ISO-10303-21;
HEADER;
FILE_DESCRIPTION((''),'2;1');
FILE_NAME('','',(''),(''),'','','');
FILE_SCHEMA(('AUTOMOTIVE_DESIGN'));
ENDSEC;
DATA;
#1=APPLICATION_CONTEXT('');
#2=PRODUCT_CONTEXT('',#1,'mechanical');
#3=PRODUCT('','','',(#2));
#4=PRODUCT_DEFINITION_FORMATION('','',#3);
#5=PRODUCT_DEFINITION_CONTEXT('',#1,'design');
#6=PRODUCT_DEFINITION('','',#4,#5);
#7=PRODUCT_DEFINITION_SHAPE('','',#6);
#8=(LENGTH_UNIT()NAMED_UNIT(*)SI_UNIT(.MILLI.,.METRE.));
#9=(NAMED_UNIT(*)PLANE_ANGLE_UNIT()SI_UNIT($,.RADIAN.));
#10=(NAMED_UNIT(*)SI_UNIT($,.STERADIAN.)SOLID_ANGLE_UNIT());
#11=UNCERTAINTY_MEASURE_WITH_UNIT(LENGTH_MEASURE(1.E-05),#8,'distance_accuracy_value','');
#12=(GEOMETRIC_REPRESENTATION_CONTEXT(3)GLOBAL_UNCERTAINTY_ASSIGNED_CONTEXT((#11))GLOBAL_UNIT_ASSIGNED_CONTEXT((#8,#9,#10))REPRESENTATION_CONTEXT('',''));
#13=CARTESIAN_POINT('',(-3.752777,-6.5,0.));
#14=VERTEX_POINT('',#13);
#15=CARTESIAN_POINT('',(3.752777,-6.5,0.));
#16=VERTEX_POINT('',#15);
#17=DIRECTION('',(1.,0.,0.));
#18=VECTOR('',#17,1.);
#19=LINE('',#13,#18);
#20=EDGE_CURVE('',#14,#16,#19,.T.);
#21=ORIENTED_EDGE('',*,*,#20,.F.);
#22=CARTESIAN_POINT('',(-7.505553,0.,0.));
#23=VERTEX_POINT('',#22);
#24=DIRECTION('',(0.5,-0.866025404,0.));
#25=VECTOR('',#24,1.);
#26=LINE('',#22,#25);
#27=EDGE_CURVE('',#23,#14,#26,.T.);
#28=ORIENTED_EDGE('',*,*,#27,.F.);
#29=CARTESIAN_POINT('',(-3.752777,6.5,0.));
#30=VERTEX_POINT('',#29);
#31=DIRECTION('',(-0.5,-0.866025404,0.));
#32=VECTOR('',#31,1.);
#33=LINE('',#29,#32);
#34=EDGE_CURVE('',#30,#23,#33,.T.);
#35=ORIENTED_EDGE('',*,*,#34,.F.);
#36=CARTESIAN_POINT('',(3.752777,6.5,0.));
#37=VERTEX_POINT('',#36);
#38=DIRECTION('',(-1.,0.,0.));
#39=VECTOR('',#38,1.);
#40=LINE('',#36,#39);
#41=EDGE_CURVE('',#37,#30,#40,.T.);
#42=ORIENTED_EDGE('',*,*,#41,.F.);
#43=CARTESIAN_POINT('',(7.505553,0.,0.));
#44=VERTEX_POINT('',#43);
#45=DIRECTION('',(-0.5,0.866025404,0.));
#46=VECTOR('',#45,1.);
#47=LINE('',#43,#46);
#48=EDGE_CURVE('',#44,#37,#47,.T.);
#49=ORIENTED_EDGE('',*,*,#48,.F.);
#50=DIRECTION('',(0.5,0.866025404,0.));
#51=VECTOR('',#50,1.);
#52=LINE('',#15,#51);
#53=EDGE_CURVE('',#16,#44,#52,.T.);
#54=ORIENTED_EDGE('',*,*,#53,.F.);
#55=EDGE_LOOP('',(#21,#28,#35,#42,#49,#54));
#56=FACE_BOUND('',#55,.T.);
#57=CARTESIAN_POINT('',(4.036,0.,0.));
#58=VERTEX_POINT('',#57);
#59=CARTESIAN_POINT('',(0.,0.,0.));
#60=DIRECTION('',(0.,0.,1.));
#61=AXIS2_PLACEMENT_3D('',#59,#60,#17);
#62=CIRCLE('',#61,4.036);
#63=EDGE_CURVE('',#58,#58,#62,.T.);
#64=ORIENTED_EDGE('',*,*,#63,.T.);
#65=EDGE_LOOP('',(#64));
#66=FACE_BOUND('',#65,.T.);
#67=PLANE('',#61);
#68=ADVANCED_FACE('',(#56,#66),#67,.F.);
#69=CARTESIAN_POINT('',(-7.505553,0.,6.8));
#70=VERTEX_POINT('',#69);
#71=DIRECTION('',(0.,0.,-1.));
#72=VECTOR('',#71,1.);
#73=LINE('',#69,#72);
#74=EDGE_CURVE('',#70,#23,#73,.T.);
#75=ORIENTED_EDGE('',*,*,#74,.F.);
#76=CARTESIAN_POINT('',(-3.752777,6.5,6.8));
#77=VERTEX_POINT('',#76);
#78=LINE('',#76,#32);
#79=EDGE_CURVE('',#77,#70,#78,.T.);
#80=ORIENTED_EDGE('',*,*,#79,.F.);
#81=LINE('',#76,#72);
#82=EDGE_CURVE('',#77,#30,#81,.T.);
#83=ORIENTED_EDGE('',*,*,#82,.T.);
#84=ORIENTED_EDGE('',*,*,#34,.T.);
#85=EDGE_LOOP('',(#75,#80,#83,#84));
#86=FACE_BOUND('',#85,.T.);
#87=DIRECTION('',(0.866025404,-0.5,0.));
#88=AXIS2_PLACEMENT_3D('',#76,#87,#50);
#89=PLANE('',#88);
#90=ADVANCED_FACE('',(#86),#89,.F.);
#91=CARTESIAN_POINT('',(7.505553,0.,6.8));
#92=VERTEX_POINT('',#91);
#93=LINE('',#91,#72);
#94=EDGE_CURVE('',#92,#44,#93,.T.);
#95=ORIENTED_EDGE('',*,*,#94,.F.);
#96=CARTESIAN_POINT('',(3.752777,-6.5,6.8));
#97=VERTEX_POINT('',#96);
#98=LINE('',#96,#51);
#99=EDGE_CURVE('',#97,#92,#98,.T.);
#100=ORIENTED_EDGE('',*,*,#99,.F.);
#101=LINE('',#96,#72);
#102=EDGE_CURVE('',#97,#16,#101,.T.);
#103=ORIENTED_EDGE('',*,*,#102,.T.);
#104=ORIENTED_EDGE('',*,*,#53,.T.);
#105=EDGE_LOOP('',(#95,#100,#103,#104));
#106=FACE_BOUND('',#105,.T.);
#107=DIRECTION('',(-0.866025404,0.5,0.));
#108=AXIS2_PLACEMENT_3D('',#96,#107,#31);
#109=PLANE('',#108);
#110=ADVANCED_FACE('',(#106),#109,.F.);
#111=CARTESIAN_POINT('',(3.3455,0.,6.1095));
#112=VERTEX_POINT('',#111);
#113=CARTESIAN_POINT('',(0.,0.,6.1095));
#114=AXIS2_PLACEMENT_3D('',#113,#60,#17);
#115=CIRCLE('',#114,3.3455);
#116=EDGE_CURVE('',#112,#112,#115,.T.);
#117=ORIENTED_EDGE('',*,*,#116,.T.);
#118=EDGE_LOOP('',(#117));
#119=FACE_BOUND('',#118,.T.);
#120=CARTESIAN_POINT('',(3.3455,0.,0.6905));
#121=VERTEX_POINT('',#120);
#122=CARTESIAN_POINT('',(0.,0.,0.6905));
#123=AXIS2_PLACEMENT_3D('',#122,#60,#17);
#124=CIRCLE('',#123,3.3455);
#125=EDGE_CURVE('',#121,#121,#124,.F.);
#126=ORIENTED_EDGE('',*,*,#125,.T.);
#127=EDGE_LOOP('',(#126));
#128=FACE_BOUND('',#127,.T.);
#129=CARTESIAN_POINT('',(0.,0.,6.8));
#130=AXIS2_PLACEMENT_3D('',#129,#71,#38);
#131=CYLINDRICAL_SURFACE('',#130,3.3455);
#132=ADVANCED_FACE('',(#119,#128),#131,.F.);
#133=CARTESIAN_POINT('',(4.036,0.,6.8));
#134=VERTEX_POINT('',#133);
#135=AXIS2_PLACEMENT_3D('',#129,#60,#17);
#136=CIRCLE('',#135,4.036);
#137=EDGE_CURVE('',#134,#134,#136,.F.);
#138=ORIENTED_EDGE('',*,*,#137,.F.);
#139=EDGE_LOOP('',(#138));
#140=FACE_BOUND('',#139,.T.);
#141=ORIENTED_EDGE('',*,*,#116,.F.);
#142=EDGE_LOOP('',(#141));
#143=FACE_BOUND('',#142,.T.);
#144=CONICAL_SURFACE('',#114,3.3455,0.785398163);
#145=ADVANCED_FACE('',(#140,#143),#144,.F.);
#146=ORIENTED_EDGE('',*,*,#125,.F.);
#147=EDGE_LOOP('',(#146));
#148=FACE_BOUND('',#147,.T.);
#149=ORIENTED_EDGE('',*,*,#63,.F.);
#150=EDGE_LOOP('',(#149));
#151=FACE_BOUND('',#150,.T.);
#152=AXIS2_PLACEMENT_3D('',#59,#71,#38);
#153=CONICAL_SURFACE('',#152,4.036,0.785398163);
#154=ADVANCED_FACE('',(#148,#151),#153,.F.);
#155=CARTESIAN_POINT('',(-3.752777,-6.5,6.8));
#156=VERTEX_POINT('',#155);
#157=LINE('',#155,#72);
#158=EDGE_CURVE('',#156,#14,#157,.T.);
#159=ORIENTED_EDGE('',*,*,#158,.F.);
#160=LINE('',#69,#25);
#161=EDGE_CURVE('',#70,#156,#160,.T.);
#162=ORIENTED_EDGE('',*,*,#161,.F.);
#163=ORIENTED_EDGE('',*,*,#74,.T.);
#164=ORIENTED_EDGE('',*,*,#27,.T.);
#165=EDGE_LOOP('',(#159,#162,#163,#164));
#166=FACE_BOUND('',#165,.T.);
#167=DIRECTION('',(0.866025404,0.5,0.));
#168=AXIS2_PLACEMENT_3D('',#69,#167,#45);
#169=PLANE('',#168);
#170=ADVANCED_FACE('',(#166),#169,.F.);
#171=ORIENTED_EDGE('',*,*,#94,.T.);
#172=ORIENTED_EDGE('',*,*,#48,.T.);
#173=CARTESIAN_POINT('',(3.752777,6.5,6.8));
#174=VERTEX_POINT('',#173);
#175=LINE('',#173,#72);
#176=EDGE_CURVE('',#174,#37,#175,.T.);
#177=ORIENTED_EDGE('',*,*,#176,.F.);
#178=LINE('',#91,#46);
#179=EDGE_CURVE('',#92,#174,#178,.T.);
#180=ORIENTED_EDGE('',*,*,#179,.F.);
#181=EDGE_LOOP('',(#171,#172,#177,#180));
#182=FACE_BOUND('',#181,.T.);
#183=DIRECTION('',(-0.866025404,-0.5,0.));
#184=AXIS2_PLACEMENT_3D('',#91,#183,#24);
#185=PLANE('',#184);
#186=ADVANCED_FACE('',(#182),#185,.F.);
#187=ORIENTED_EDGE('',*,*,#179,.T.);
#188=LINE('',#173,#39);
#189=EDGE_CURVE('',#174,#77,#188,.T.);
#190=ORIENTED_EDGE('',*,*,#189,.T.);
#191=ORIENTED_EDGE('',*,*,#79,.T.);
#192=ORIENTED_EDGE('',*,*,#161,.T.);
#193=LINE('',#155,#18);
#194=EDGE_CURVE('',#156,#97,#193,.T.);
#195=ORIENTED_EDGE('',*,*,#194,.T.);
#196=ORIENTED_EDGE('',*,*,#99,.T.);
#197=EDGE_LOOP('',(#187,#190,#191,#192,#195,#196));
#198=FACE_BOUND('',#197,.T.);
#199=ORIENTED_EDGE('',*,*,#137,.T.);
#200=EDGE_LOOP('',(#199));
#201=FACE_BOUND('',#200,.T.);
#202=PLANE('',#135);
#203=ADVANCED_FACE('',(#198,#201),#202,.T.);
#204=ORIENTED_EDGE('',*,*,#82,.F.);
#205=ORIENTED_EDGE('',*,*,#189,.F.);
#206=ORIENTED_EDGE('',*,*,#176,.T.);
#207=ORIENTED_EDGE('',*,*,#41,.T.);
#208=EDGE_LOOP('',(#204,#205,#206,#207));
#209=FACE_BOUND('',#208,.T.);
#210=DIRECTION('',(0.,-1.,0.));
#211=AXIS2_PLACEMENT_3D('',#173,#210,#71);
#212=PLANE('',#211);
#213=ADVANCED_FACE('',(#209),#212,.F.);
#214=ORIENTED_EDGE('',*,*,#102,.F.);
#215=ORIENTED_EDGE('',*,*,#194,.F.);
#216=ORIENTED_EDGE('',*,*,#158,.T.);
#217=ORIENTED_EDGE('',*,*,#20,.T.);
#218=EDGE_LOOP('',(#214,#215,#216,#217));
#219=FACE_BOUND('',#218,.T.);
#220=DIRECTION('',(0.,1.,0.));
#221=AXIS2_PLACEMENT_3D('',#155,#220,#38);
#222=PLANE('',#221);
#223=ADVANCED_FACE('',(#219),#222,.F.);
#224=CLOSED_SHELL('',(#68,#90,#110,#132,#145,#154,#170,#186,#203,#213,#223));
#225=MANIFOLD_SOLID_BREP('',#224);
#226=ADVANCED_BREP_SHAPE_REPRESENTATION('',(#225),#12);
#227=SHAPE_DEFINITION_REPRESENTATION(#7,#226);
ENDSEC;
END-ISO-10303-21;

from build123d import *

# Parameters (mm, degrees)
SKETCH_1_R      = 3.3455
EXTRUDE_1_DEPTH = 6.8
CHAMFER_1_SIZE  = 0.6905


with BuildPart() as part:
    # Эскиз1 → Бобышка-Вытянуть1 (new body)
    with BuildSketch(Plane.XY):
        Polygon((-3.75277675, 6.5), (-7.505553499, 0), (-3.75277675, -6.5), (3.75277675, -6.5), (7.505553499, 0), (3.75277675, 6.5), align=None)
        Circle(SKETCH_1_R, mode=Mode.SUBTRACT)
    extrude(amount=EXTRUDE_1_DEPTH)

    # Фаска1
    chamfer_1_edges = [part.edges().sort_by_distance(p)[0] for p in [
        (-3.3455, 0, 0),
        (-3.3455, 0, 6.8),
    ]]
    chamfer(chamfer_1_edges, length=CHAMFER_1_SIZE)


solid = part.part
